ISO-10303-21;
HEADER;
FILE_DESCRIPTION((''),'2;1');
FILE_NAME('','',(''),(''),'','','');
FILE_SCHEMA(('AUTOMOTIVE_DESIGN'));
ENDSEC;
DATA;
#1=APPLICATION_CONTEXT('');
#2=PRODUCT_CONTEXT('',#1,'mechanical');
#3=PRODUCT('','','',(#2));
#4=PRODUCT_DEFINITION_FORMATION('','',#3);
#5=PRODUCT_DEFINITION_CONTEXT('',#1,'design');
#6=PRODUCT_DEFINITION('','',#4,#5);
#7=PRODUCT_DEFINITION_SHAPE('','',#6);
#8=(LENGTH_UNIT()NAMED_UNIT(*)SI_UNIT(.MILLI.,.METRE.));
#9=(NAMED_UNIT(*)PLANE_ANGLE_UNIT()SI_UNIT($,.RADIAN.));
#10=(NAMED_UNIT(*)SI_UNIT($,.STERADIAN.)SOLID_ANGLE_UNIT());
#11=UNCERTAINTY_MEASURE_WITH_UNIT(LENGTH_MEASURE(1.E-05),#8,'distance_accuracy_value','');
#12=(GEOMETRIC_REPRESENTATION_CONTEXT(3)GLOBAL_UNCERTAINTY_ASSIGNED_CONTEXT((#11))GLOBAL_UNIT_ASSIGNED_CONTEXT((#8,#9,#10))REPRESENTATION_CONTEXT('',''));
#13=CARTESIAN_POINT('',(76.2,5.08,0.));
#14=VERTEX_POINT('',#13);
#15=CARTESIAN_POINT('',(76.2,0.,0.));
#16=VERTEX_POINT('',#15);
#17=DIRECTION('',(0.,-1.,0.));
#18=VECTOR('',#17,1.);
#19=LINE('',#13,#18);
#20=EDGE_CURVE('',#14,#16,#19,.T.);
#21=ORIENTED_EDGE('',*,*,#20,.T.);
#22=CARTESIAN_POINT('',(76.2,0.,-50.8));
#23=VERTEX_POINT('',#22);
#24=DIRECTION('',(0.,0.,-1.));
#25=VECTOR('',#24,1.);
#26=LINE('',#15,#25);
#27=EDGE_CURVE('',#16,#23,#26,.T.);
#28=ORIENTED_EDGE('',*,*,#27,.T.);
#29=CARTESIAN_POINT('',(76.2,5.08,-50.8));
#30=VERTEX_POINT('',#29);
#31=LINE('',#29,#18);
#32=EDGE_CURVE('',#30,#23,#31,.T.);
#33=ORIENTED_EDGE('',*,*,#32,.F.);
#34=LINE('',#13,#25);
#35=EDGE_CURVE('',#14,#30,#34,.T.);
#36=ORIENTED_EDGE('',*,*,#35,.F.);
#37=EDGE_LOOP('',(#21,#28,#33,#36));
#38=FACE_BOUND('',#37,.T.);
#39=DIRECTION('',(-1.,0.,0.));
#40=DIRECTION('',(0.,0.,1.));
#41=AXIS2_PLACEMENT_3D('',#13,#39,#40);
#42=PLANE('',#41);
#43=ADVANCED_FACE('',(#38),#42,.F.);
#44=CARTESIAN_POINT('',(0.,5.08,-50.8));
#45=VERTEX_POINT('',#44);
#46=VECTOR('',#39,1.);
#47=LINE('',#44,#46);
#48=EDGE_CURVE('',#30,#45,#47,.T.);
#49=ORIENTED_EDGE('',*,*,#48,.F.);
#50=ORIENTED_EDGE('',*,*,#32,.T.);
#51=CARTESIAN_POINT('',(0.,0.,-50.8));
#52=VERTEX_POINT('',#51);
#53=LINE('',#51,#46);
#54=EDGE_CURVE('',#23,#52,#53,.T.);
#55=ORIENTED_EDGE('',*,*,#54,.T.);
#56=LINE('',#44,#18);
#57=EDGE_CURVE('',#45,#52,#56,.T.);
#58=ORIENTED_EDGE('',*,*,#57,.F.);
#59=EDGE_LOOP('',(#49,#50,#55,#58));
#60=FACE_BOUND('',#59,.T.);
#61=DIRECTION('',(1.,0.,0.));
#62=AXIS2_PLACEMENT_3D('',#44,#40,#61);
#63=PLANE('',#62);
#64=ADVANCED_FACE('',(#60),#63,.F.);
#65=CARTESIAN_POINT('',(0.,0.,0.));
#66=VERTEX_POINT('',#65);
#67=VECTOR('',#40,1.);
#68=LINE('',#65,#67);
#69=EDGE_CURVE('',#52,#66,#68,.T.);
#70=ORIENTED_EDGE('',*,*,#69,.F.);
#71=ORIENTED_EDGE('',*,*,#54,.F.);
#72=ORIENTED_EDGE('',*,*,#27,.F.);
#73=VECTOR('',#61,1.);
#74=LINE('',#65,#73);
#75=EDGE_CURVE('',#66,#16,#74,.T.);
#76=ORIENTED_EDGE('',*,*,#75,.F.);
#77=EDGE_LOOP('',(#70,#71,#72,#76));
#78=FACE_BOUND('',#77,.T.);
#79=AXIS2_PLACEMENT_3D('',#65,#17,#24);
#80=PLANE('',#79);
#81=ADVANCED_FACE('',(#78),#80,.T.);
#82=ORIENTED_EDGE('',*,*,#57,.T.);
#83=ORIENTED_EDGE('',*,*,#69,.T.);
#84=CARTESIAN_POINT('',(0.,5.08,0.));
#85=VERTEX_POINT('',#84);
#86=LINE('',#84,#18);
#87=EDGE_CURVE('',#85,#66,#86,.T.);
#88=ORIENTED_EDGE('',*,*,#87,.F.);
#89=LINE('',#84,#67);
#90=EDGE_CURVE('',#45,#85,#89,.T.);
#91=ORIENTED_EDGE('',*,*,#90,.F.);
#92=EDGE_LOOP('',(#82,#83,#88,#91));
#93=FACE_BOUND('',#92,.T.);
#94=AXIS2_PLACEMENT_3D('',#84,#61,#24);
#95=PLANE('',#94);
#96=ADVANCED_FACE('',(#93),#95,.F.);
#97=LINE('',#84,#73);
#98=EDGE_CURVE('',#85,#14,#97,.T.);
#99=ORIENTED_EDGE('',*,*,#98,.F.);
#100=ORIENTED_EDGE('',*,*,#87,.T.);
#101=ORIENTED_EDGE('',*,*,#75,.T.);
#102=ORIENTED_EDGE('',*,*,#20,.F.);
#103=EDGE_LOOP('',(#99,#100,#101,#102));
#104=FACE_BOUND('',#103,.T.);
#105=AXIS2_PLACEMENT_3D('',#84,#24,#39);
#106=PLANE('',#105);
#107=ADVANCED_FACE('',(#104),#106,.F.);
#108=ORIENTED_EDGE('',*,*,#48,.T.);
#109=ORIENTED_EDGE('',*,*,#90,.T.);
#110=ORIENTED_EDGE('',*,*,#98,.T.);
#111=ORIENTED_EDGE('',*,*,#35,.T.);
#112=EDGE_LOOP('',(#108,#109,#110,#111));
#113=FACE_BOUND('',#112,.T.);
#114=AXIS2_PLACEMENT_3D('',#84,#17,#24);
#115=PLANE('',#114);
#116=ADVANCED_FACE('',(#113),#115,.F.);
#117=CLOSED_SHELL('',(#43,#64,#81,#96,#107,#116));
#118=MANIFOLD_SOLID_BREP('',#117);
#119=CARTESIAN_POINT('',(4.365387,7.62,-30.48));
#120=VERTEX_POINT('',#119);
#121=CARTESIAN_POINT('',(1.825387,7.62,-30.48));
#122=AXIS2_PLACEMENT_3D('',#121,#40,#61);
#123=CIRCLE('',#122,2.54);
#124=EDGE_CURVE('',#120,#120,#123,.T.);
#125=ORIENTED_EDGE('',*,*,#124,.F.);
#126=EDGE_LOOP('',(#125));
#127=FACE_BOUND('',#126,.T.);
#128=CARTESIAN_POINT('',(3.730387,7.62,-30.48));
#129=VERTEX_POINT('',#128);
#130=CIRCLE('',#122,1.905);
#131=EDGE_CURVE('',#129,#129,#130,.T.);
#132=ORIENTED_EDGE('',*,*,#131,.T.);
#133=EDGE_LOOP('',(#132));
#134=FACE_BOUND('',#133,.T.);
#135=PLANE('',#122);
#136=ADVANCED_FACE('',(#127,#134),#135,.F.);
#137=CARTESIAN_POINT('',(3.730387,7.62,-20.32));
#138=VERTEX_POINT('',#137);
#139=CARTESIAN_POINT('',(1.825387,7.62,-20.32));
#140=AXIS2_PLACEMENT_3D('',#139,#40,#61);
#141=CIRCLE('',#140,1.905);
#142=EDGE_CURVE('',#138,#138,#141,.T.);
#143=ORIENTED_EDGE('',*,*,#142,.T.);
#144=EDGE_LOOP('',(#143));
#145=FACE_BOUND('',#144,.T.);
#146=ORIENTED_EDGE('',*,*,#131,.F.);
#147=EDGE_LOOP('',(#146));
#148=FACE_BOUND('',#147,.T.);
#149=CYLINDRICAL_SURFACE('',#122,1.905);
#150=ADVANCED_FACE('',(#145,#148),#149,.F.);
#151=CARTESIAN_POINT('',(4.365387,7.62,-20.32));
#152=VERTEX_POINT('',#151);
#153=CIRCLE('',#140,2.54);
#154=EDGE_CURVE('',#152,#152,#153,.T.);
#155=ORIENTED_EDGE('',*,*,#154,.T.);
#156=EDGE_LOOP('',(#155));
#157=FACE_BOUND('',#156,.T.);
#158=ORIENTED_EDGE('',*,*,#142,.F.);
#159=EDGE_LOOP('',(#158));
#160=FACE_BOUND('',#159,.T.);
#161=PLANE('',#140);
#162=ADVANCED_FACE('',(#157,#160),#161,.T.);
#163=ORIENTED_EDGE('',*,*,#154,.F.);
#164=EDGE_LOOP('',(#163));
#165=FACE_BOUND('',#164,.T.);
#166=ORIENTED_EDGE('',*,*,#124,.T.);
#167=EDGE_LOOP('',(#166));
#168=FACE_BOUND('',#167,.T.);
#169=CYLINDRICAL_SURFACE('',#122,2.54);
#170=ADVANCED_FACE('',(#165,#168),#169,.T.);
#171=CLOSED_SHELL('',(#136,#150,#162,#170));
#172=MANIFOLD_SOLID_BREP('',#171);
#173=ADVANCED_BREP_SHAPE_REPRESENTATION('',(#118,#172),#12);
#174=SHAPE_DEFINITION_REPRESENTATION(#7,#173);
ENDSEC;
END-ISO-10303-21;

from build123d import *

# Parameters (mm, degrees)
SKETCH1_W                = 76.2
SKETCH1_H                = 50.8
BOSS_EXTRUDE1_DEPTH      = 5.08
BOSS_EXTRUDE2_DEPTH      = 5.08
BOSS_EXTRUDE2_DEPTH_BACK = 5.08
SKETCH2_R                = 2.54
SKETCH2_R_2              = 1.905


with BuildPart() as part:
    # Sketch1 → Boss-Extrude1 (new body)
    with BuildSketch(Plane(origin=(0, 0, 0), x_dir=(1, 0, 0), z_dir=(0, 1, 0))):
        with Locations((38.1, 25.4)):
            Rectangle(SKETCH1_W, SKETCH1_H)
    extrude(amount=BOSS_EXTRUDE1_DEPTH)


with BuildPart() as body_2:
    # Sketch2 → Boss-Extrude2 (new, two sides: drawn at the far end of the back side and taken through both)
    with BuildSketch(Plane.XY.offset(-25.4).offset(-BOSS_EXTRUDE2_DEPTH_BACK)):
        with Locations((1.825387068, 7.62)):
            Circle(SKETCH2_R)
        with Locations((1.825387068, 7.62)):
            Circle(SKETCH2_R_2, mode=Mode.SUBTRACT)
    extrude(amount=BOSS_EXTRUDE2_DEPTH + BOSS_EXTRUDE2_DEPTH_BACK)


solid = Compound([part.part, body_2.part])
